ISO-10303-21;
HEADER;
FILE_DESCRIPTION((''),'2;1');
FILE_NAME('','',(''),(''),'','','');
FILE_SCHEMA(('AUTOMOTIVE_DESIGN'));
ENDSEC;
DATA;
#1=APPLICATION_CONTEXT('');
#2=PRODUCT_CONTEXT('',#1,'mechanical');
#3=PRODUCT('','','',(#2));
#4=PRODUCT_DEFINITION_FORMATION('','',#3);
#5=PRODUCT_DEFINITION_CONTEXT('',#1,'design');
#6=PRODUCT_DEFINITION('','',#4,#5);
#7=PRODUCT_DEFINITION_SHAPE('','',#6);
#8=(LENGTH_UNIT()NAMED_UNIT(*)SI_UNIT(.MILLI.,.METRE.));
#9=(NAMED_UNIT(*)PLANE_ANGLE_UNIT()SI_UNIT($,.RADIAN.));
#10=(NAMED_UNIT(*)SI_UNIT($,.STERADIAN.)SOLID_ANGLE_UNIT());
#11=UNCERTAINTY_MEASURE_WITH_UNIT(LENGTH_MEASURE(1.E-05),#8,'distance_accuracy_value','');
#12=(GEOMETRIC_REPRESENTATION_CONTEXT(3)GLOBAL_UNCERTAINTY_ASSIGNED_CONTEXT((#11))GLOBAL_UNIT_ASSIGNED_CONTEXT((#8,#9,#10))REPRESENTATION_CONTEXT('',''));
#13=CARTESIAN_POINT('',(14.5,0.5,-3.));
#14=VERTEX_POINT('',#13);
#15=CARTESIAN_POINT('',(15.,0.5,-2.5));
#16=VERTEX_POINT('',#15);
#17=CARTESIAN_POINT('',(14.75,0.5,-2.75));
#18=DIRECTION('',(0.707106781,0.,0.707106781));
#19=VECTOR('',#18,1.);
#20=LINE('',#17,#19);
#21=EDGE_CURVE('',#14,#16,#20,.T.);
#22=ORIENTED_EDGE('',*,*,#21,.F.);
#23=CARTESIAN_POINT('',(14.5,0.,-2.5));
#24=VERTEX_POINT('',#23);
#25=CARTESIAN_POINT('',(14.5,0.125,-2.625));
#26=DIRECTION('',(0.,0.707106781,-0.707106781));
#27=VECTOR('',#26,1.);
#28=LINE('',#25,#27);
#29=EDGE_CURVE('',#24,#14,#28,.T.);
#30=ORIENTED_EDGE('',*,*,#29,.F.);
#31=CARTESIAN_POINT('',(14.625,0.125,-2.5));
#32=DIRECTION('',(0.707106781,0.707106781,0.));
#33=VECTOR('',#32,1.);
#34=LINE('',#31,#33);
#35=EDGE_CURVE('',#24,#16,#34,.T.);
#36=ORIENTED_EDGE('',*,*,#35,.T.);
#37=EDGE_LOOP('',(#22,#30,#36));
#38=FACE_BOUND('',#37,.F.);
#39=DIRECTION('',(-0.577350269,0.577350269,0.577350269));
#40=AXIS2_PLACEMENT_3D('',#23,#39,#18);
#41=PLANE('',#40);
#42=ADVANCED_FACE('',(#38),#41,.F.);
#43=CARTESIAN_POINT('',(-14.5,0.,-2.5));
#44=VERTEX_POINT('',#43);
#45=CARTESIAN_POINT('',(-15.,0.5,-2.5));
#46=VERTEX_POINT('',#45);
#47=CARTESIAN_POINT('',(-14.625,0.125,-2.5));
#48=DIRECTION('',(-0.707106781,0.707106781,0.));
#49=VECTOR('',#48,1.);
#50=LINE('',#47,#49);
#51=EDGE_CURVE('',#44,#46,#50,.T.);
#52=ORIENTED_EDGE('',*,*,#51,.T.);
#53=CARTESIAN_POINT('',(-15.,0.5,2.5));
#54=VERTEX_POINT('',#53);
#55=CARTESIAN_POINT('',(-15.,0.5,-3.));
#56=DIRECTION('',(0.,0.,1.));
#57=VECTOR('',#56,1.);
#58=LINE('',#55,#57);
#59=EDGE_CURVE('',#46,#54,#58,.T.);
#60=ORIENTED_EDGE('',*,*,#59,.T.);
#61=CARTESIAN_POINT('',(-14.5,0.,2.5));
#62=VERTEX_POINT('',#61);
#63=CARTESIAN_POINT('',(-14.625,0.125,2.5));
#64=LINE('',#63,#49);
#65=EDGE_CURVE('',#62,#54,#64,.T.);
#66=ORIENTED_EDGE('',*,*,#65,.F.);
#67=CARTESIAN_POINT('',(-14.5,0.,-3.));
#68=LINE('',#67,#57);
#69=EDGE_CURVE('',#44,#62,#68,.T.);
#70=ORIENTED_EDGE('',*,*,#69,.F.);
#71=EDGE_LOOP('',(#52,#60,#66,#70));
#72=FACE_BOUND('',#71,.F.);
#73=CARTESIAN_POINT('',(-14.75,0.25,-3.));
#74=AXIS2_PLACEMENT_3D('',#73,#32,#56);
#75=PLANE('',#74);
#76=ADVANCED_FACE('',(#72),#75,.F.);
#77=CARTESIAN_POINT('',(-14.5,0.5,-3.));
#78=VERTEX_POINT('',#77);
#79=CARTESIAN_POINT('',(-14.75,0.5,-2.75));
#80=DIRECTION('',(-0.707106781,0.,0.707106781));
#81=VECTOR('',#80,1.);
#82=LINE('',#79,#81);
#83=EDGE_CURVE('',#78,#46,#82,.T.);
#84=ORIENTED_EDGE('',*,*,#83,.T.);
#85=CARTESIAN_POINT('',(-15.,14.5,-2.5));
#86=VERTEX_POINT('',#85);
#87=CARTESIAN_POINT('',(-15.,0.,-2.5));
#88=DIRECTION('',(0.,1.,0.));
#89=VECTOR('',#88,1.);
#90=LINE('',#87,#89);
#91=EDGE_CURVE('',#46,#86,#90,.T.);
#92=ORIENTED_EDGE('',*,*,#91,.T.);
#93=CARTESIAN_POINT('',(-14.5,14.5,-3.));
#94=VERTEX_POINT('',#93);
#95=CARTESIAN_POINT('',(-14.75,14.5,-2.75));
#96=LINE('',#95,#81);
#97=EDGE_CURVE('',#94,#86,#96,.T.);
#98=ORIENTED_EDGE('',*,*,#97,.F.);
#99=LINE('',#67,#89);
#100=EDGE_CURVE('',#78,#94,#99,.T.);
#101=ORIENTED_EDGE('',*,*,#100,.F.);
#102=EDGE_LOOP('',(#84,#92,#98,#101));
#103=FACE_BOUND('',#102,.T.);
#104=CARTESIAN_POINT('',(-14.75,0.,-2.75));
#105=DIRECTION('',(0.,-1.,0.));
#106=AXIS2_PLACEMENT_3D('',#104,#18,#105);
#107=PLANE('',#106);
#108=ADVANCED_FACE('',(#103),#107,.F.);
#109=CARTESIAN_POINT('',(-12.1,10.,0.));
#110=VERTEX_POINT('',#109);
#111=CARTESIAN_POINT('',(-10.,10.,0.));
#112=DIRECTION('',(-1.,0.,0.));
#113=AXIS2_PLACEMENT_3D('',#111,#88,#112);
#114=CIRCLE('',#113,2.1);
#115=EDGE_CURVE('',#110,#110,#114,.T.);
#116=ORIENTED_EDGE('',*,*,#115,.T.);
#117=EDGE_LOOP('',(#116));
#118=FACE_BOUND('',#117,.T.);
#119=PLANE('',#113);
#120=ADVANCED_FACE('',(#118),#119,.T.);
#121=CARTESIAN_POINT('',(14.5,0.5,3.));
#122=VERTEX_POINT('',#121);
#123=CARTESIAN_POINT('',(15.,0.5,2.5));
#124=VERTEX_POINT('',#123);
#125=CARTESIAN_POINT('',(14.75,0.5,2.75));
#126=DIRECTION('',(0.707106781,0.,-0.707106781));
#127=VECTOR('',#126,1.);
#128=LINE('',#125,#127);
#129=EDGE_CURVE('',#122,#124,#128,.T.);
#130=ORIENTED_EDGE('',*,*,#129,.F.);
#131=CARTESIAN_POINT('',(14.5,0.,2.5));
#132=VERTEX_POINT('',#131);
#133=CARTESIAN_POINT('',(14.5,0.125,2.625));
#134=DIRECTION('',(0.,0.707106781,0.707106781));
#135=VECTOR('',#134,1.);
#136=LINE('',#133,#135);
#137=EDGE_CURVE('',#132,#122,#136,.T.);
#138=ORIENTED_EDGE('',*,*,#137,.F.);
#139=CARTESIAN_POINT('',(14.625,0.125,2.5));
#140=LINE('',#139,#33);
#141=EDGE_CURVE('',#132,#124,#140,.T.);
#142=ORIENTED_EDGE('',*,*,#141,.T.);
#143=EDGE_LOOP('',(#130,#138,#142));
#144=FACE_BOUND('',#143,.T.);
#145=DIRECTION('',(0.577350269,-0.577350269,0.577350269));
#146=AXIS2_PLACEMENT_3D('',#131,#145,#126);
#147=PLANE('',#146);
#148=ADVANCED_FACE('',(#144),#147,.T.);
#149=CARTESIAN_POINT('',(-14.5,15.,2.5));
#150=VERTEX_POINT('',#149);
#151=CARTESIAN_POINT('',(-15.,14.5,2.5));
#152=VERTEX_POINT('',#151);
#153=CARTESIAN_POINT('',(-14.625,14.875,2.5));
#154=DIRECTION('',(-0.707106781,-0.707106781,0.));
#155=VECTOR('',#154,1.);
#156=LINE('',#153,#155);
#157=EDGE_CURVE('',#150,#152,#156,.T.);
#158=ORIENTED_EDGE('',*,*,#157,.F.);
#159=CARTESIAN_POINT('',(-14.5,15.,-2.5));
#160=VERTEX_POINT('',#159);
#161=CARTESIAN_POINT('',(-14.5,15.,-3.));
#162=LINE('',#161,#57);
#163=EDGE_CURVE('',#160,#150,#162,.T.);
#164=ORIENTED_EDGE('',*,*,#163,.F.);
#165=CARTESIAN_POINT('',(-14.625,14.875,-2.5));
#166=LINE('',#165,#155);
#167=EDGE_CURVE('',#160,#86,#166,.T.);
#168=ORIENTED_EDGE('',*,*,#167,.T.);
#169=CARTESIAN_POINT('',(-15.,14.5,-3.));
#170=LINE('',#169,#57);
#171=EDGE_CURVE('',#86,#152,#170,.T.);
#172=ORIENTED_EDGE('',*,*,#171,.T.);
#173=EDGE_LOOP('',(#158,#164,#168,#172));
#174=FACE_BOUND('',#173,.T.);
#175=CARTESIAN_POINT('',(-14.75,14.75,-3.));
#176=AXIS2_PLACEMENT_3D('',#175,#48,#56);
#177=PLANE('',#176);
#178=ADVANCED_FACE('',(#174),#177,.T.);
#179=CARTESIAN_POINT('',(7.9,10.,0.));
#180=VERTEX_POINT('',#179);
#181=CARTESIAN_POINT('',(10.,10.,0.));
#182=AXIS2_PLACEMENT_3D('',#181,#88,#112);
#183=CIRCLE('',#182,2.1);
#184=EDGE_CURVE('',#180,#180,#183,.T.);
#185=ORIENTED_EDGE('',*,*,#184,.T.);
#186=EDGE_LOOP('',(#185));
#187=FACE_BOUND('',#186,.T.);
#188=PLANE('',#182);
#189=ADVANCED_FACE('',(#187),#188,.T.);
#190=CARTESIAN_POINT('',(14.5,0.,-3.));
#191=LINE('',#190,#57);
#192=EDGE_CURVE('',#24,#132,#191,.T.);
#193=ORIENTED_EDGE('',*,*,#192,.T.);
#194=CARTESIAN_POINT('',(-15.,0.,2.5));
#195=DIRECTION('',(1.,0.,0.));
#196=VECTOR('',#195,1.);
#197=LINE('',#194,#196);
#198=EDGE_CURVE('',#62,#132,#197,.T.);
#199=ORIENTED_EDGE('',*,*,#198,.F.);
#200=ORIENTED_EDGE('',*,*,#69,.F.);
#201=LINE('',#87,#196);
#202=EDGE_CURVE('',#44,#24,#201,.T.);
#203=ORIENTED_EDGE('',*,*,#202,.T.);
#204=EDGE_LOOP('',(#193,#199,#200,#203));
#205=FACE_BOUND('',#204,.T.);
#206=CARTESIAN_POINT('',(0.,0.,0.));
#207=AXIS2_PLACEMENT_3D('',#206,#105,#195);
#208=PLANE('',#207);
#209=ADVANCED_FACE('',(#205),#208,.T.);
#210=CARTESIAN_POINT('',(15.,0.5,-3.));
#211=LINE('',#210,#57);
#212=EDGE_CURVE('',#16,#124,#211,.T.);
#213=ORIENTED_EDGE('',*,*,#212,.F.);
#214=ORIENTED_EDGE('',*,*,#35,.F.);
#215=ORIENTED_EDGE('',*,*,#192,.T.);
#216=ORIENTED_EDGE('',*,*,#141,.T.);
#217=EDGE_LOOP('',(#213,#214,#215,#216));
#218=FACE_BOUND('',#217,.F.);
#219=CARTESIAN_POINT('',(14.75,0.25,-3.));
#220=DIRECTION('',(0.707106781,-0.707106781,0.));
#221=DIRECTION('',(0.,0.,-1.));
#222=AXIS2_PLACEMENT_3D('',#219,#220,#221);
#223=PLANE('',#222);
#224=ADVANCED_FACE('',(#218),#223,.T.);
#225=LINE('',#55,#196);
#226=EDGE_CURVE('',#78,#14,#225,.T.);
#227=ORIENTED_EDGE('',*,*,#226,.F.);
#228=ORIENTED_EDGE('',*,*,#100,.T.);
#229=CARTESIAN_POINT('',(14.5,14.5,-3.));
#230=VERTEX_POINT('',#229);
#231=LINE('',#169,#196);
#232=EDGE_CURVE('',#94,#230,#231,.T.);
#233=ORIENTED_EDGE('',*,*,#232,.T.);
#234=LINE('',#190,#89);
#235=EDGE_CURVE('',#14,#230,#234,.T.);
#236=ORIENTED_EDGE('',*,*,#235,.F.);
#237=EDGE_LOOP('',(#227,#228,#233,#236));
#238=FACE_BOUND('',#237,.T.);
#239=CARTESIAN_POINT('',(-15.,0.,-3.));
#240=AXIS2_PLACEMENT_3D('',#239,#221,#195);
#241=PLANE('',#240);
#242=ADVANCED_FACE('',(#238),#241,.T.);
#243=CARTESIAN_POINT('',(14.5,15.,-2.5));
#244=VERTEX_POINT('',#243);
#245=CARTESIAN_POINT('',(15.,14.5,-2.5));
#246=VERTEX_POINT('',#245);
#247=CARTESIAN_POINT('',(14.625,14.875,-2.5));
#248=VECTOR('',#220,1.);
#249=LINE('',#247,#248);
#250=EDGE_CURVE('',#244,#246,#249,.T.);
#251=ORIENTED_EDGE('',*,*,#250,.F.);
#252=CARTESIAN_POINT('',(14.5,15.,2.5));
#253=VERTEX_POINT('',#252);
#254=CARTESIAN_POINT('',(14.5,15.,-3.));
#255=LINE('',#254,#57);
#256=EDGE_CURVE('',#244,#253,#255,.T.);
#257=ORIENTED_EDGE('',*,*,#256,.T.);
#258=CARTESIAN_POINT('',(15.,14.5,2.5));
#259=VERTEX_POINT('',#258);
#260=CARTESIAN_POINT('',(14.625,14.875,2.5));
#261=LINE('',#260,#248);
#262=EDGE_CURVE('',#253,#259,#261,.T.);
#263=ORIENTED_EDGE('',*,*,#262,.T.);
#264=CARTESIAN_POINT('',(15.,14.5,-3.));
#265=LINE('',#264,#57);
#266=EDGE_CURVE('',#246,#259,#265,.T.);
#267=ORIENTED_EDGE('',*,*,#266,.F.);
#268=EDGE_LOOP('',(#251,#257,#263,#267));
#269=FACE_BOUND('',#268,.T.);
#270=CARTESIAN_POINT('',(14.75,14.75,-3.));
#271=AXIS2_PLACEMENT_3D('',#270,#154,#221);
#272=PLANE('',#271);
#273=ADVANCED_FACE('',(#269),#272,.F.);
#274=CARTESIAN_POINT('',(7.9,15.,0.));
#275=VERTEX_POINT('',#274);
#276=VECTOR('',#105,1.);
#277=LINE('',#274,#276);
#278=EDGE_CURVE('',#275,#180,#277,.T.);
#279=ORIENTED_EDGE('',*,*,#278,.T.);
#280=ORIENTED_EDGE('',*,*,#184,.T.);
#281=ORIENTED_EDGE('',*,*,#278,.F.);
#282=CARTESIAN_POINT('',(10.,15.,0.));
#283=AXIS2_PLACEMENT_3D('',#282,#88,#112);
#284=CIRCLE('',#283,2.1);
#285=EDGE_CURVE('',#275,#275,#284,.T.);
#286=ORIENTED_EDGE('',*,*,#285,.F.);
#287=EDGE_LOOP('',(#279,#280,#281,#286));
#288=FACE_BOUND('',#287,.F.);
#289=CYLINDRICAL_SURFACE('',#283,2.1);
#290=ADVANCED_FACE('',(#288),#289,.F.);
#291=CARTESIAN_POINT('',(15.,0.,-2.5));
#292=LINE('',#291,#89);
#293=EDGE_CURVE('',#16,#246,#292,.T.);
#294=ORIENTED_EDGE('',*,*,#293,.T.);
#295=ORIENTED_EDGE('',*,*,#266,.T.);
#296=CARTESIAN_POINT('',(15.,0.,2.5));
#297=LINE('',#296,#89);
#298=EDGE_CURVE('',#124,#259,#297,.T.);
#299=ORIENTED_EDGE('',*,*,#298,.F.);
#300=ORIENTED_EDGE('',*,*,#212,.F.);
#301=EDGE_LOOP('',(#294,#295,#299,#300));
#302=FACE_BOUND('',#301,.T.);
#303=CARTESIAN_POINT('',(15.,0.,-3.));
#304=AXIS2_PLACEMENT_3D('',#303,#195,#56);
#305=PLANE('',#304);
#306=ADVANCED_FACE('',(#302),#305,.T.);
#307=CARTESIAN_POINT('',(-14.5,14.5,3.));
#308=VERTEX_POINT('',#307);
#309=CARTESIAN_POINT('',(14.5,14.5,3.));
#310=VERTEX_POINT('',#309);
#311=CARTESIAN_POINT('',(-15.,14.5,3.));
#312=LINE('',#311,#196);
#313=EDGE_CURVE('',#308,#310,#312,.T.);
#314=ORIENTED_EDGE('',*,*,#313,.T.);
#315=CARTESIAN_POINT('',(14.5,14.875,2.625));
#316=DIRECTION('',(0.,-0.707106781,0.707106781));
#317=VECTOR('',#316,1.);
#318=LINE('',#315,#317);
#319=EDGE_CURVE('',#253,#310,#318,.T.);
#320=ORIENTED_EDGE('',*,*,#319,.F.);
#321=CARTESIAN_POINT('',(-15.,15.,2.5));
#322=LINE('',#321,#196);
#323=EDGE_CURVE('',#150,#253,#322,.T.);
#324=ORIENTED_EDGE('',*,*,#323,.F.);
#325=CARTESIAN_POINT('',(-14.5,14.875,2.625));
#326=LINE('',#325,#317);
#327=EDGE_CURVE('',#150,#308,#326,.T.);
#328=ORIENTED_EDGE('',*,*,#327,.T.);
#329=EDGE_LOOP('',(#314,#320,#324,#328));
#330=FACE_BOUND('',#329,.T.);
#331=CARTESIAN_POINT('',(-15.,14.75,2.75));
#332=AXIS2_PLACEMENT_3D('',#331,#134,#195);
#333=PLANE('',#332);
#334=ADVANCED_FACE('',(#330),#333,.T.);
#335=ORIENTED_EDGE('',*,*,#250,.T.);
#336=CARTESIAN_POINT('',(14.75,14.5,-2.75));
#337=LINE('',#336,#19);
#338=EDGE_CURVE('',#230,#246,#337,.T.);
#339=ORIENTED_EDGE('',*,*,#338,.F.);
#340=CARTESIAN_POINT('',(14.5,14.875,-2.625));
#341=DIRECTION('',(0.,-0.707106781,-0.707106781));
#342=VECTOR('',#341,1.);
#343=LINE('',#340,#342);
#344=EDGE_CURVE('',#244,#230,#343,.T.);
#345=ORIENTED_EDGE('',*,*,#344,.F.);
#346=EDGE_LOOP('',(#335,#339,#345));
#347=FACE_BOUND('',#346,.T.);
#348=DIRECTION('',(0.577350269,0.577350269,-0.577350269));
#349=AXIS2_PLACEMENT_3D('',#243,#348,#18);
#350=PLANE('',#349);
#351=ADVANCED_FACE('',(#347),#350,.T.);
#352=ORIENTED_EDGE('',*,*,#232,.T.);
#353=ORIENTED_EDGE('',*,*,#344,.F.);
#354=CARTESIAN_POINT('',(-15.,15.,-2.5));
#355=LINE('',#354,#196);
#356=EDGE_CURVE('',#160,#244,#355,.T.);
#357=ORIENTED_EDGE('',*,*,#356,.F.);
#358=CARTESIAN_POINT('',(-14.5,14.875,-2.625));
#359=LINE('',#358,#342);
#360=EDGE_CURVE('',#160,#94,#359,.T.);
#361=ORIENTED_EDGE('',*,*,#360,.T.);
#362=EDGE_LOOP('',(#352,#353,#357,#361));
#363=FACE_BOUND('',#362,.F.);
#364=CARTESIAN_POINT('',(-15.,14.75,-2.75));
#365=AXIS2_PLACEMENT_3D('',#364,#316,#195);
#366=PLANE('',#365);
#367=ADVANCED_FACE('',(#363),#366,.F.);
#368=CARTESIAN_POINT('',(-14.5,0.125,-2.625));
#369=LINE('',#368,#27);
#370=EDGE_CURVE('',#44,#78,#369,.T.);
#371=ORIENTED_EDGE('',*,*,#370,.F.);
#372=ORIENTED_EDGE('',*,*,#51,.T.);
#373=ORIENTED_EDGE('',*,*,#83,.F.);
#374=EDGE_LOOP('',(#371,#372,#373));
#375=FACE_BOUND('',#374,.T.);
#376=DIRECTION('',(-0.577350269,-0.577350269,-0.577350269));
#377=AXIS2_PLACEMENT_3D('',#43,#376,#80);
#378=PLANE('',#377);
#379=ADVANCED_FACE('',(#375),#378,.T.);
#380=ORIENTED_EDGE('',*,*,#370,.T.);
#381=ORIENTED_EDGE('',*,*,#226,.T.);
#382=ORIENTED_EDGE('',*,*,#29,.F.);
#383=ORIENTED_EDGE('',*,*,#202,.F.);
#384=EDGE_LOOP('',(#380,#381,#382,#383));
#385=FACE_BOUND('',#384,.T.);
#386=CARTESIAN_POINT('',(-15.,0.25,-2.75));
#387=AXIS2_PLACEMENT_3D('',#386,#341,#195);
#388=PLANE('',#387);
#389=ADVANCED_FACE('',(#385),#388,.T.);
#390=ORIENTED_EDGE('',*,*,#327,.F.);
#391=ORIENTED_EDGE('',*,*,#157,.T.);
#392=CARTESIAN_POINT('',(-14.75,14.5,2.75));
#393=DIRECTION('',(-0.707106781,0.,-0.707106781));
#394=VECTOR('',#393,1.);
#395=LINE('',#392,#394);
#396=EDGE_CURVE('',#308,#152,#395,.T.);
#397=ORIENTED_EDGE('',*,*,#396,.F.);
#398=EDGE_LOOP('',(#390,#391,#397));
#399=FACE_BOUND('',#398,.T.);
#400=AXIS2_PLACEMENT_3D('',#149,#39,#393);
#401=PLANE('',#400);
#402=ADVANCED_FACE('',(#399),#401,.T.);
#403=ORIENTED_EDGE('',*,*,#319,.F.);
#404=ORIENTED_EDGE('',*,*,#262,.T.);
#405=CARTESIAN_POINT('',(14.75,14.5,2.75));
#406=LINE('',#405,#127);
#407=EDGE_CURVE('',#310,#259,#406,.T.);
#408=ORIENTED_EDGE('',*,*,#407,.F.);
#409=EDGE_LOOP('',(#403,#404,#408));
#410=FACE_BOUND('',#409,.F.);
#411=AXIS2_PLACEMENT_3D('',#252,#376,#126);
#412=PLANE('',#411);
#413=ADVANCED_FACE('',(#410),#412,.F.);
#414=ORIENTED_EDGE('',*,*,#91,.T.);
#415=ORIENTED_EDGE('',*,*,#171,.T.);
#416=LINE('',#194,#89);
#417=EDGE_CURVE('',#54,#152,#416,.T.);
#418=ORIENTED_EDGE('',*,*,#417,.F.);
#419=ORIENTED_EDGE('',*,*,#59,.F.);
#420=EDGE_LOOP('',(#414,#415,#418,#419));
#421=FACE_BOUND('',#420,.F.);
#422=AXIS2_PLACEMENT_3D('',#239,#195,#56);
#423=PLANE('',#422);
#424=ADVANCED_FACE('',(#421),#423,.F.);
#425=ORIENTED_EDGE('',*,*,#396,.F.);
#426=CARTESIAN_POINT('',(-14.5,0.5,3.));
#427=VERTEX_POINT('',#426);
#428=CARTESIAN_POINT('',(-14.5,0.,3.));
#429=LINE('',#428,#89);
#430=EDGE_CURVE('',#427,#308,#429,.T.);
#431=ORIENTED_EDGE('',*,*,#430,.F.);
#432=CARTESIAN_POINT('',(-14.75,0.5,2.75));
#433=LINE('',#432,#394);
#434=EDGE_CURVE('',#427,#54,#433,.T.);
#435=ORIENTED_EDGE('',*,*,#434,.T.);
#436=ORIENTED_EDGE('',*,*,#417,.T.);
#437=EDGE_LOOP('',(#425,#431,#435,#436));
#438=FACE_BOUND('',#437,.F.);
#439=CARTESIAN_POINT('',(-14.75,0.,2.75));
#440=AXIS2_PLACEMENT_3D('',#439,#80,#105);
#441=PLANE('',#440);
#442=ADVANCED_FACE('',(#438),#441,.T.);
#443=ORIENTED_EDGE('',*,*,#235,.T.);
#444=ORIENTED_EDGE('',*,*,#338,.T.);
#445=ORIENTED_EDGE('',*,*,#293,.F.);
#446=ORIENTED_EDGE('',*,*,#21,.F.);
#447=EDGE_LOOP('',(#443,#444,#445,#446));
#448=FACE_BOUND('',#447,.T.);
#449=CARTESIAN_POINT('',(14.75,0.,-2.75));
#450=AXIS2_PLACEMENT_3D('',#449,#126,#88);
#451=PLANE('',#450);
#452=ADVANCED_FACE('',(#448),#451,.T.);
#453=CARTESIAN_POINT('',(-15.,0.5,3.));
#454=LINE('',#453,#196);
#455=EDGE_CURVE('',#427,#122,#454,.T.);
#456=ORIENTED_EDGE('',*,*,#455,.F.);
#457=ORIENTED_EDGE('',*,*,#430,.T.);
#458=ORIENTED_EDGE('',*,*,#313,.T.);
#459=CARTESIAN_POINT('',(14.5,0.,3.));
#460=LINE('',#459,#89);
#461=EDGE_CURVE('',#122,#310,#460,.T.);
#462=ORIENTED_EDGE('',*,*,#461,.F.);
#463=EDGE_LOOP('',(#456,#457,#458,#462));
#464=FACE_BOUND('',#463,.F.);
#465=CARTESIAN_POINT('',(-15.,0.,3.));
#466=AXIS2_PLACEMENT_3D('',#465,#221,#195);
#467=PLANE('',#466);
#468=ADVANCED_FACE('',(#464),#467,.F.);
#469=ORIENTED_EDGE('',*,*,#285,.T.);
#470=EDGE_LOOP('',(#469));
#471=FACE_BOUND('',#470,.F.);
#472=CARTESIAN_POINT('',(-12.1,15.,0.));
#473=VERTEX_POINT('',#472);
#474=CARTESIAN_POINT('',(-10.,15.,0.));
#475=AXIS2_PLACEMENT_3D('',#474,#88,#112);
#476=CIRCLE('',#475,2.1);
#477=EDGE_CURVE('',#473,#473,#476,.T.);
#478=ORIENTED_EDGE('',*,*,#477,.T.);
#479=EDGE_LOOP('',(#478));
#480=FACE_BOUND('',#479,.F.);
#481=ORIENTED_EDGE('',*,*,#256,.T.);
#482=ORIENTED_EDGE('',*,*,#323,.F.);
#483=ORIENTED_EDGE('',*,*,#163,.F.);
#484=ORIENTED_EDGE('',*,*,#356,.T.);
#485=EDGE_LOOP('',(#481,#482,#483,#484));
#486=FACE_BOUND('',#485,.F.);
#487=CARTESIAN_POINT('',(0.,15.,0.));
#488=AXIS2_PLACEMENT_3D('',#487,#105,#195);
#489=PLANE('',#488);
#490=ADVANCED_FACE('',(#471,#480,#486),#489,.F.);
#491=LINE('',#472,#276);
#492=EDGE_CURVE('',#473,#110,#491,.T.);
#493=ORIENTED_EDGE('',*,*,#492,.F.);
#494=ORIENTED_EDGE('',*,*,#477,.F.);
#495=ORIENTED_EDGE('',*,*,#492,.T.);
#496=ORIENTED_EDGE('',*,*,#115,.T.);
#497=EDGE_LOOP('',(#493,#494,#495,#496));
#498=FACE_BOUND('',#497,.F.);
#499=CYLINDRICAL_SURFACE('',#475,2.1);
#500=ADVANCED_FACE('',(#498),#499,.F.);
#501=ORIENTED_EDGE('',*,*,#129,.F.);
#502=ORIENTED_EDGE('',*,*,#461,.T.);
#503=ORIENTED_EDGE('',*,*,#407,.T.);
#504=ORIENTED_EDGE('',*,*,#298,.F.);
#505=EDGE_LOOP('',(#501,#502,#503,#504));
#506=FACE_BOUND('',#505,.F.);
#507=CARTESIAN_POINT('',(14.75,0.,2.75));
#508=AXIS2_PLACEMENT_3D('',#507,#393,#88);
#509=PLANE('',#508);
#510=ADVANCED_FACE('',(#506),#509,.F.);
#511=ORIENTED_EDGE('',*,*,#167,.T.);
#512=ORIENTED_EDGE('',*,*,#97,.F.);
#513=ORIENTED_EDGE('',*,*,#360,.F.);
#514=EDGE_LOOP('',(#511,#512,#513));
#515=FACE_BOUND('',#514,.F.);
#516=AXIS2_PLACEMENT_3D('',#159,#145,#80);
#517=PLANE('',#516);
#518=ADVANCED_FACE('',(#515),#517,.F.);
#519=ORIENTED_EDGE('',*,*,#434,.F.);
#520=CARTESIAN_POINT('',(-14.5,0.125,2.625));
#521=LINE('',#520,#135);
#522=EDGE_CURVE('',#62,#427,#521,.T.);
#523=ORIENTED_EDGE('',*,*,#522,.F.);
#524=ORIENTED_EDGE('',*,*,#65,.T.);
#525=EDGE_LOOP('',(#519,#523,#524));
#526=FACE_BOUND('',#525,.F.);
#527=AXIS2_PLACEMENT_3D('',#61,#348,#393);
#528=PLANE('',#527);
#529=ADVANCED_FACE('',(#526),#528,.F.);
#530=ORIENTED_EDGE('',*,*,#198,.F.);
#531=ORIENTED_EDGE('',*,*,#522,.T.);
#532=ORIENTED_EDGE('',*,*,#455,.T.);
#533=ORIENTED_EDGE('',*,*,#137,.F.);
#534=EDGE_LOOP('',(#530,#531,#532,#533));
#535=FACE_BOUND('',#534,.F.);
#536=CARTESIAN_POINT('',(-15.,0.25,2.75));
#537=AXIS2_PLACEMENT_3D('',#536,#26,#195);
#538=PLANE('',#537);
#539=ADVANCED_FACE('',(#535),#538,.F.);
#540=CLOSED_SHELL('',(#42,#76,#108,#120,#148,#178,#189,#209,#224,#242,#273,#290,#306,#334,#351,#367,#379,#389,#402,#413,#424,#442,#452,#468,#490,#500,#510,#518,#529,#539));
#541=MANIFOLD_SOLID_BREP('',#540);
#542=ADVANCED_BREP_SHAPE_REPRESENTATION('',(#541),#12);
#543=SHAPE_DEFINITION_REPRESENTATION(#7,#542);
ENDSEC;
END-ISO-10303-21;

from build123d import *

# Parameters (mm, degrees)
F0_W     = 30
F0_H     = 6
F1_DEPTH = 15
F2_R     = 2.1
F3_DEPTH = 5
F4_SIZE  = 0.5


with BuildPart() as f1:
    # F0 (on Front) → F1 (new body)
    with BuildSketch(Plane.XZ):
        Rectangle(F0_W, F0_H)
    extrude(amount=-F1_DEPTH)

    # F2 (on face) → F3 (cut)
    with BuildSketch(Plane(origin=(0, 15, 0), x_dir=(-1, 0, 0), z_dir=(0, 1, 0))):
        with Locations((-10, 0)):
            Circle(F2_R)
        with Locations((10, 0)):
            Circle(F2_R)
    extrude(amount=-F3_DEPTH, mode=Mode.SUBTRACT)

    # F4
    f4_edges = [f1.edges().sort_by_distance(p)[0] for p in [
        (15, 7.5, 3),
        (-15, 7.5, 3),
        (0, 0, 3),
        (0, 15, 3),
        (-15, 7.5, -3),
        (15, 7.5, -3),
        (0, 0, -3),
        (0, 15, -3),
        (15, 0, 0),
        (15, 15, 0),
        (-15, 0, 0),
        (-15, 15, 0),
    ]]
    chamfer(f4_edges, length=F4_SIZE)


solid = f1.part
